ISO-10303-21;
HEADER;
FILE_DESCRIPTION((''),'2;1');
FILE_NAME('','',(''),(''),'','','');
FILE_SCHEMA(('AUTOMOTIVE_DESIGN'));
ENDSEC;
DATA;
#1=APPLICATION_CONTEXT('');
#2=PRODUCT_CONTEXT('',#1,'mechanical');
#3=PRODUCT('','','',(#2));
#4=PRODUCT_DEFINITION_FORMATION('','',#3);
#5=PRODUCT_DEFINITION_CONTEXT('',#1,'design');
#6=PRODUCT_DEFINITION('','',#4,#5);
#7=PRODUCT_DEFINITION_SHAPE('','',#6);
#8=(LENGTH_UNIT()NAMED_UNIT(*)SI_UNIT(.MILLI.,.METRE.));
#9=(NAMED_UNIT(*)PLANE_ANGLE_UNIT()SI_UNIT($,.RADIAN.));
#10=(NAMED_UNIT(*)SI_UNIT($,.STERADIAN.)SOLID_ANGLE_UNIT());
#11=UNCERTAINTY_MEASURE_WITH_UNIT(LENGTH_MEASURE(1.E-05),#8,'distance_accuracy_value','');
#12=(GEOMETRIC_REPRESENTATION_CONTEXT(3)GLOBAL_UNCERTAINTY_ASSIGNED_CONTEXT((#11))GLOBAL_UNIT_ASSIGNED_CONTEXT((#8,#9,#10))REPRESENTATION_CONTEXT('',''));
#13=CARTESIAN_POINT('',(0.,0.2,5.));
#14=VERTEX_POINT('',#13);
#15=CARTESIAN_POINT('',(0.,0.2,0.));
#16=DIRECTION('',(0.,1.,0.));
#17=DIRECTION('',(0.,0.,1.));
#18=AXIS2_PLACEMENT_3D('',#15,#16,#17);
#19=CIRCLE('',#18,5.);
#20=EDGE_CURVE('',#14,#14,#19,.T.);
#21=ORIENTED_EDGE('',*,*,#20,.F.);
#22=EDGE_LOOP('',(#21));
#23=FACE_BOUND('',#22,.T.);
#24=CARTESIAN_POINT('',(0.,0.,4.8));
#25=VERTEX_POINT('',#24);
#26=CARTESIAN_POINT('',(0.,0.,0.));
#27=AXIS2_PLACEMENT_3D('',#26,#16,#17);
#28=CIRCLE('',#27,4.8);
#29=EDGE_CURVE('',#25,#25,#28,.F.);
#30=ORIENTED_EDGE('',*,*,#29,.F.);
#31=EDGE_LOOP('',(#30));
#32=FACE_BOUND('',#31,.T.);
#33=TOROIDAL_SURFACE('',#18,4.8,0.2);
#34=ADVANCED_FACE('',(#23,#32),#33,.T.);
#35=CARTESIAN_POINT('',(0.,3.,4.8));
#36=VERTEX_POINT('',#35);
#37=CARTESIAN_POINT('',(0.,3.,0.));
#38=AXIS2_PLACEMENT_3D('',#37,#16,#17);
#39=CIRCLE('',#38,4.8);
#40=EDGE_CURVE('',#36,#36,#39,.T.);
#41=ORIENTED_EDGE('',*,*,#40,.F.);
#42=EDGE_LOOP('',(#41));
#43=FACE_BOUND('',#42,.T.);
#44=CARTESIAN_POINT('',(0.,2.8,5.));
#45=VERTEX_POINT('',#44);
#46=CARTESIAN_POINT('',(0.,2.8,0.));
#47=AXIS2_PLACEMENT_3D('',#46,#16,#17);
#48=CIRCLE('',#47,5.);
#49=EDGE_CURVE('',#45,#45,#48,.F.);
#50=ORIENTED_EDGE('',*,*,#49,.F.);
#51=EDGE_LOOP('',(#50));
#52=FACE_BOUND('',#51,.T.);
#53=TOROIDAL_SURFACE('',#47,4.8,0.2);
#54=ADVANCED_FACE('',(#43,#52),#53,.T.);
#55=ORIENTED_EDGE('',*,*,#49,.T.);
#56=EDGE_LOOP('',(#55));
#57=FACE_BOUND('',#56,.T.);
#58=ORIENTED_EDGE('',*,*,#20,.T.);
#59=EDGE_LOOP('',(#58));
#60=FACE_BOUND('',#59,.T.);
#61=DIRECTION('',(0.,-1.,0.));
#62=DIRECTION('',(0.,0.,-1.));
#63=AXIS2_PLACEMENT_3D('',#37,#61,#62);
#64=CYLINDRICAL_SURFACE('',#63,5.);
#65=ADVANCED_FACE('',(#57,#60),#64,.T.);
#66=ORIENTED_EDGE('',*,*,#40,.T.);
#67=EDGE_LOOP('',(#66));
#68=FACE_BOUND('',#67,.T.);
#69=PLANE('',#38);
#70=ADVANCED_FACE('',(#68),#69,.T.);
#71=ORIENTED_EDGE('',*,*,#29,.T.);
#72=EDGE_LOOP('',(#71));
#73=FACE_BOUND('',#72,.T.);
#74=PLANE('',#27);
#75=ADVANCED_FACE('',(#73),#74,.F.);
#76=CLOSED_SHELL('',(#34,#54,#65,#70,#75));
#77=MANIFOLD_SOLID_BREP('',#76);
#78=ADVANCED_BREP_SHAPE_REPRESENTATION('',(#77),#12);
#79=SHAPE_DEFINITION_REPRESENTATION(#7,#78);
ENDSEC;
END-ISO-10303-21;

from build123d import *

# Parameters (mm, degrees)
SKETCH_1_R      = 5
EXTRUDE_1_DEPTH = 3
FILLET_1_R      = 0.2


with BuildPart() as part:
    # Эскиз1 → Бобышка-Вытянуть1 (new body)
    with BuildSketch(Plane(origin=(0, 0, 0), x_dir=(1, 0, 0), z_dir=(0, 1, 0))):
        with Locations(Location((0, 0, 0), (0, 0, 270))):
            Circle(SKETCH_1_R)
    extrude(amount=EXTRUDE_1_DEPTH)

    # Скругление1
    fillet_1_edges = [part.edges().sort_by_distance(p)[0] for p in [
        (0, 0, -5),
        (0, 3, -5),
    ]]
    fillet(fillet_1_edges, radius=FILLET_1_R)


solid = part.part
